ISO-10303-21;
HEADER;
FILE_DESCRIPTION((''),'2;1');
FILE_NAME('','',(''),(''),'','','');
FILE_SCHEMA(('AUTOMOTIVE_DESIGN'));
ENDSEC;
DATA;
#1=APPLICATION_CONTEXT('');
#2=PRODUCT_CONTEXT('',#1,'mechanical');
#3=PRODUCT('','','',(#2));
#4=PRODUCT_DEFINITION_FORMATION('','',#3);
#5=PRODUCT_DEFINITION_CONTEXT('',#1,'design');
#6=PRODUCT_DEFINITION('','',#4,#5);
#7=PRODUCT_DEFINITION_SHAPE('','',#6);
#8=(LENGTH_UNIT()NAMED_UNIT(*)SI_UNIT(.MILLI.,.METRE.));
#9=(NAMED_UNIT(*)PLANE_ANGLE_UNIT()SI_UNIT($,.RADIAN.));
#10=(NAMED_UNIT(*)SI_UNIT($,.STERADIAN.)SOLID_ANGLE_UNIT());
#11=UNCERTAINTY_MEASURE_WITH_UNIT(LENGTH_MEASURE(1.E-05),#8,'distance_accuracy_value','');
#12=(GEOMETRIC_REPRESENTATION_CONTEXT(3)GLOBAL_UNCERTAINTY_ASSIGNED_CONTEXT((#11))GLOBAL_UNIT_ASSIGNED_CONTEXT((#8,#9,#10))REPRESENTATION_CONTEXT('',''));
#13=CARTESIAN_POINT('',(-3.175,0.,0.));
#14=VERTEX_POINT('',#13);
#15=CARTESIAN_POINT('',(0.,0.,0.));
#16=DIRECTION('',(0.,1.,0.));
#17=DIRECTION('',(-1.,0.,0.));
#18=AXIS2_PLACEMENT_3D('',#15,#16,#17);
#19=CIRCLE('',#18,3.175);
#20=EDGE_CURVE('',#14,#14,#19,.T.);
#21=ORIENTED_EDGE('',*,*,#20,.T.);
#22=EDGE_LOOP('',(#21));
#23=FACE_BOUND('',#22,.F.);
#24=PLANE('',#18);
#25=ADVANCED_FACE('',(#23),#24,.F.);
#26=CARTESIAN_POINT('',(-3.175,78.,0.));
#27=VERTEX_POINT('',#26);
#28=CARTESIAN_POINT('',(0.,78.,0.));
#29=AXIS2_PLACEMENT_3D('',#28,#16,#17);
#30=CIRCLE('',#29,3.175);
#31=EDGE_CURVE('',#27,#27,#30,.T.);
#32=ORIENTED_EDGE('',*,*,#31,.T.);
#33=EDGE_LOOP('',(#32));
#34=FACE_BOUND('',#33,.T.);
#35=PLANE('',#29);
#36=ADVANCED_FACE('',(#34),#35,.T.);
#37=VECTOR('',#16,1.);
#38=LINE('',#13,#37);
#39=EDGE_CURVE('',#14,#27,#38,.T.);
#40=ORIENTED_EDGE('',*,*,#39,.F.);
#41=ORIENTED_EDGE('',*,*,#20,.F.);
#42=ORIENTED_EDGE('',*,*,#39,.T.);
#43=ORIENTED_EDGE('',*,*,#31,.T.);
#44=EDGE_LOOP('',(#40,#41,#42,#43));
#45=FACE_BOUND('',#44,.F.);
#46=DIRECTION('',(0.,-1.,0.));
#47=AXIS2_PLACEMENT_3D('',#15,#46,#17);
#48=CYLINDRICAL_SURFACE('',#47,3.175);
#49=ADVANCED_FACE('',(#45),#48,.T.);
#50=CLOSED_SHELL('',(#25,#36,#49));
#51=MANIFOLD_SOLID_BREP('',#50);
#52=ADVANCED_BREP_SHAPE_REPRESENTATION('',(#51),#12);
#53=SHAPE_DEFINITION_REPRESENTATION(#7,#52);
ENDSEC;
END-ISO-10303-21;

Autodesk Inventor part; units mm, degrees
ref_plane "YZ Plane" through (0, 0, 0) normal (1, 0, 0) x (0, 1, 0)
ref_plane "XZ Plane" through (0, 0, 0) normal (0, 1, 0) x (-1, 0, 0)
ref_plane "XY Plane" through (0, 0, 0) normal (0, 0, 1) x (1, 0, 0)
sketch "Sketch1" plane through (0, 0, 0) normal (0, 1, 0) x (-1, 0, 0)
  circle A0 centre (0, 0) radius 3.175
  dimension "d0" = 6.35
extrude "Extrusion1" add sketch "Sketch1" along normal blind 78
properties part number "Trebuchet V1 - Acrylic Rod (16mm)"
